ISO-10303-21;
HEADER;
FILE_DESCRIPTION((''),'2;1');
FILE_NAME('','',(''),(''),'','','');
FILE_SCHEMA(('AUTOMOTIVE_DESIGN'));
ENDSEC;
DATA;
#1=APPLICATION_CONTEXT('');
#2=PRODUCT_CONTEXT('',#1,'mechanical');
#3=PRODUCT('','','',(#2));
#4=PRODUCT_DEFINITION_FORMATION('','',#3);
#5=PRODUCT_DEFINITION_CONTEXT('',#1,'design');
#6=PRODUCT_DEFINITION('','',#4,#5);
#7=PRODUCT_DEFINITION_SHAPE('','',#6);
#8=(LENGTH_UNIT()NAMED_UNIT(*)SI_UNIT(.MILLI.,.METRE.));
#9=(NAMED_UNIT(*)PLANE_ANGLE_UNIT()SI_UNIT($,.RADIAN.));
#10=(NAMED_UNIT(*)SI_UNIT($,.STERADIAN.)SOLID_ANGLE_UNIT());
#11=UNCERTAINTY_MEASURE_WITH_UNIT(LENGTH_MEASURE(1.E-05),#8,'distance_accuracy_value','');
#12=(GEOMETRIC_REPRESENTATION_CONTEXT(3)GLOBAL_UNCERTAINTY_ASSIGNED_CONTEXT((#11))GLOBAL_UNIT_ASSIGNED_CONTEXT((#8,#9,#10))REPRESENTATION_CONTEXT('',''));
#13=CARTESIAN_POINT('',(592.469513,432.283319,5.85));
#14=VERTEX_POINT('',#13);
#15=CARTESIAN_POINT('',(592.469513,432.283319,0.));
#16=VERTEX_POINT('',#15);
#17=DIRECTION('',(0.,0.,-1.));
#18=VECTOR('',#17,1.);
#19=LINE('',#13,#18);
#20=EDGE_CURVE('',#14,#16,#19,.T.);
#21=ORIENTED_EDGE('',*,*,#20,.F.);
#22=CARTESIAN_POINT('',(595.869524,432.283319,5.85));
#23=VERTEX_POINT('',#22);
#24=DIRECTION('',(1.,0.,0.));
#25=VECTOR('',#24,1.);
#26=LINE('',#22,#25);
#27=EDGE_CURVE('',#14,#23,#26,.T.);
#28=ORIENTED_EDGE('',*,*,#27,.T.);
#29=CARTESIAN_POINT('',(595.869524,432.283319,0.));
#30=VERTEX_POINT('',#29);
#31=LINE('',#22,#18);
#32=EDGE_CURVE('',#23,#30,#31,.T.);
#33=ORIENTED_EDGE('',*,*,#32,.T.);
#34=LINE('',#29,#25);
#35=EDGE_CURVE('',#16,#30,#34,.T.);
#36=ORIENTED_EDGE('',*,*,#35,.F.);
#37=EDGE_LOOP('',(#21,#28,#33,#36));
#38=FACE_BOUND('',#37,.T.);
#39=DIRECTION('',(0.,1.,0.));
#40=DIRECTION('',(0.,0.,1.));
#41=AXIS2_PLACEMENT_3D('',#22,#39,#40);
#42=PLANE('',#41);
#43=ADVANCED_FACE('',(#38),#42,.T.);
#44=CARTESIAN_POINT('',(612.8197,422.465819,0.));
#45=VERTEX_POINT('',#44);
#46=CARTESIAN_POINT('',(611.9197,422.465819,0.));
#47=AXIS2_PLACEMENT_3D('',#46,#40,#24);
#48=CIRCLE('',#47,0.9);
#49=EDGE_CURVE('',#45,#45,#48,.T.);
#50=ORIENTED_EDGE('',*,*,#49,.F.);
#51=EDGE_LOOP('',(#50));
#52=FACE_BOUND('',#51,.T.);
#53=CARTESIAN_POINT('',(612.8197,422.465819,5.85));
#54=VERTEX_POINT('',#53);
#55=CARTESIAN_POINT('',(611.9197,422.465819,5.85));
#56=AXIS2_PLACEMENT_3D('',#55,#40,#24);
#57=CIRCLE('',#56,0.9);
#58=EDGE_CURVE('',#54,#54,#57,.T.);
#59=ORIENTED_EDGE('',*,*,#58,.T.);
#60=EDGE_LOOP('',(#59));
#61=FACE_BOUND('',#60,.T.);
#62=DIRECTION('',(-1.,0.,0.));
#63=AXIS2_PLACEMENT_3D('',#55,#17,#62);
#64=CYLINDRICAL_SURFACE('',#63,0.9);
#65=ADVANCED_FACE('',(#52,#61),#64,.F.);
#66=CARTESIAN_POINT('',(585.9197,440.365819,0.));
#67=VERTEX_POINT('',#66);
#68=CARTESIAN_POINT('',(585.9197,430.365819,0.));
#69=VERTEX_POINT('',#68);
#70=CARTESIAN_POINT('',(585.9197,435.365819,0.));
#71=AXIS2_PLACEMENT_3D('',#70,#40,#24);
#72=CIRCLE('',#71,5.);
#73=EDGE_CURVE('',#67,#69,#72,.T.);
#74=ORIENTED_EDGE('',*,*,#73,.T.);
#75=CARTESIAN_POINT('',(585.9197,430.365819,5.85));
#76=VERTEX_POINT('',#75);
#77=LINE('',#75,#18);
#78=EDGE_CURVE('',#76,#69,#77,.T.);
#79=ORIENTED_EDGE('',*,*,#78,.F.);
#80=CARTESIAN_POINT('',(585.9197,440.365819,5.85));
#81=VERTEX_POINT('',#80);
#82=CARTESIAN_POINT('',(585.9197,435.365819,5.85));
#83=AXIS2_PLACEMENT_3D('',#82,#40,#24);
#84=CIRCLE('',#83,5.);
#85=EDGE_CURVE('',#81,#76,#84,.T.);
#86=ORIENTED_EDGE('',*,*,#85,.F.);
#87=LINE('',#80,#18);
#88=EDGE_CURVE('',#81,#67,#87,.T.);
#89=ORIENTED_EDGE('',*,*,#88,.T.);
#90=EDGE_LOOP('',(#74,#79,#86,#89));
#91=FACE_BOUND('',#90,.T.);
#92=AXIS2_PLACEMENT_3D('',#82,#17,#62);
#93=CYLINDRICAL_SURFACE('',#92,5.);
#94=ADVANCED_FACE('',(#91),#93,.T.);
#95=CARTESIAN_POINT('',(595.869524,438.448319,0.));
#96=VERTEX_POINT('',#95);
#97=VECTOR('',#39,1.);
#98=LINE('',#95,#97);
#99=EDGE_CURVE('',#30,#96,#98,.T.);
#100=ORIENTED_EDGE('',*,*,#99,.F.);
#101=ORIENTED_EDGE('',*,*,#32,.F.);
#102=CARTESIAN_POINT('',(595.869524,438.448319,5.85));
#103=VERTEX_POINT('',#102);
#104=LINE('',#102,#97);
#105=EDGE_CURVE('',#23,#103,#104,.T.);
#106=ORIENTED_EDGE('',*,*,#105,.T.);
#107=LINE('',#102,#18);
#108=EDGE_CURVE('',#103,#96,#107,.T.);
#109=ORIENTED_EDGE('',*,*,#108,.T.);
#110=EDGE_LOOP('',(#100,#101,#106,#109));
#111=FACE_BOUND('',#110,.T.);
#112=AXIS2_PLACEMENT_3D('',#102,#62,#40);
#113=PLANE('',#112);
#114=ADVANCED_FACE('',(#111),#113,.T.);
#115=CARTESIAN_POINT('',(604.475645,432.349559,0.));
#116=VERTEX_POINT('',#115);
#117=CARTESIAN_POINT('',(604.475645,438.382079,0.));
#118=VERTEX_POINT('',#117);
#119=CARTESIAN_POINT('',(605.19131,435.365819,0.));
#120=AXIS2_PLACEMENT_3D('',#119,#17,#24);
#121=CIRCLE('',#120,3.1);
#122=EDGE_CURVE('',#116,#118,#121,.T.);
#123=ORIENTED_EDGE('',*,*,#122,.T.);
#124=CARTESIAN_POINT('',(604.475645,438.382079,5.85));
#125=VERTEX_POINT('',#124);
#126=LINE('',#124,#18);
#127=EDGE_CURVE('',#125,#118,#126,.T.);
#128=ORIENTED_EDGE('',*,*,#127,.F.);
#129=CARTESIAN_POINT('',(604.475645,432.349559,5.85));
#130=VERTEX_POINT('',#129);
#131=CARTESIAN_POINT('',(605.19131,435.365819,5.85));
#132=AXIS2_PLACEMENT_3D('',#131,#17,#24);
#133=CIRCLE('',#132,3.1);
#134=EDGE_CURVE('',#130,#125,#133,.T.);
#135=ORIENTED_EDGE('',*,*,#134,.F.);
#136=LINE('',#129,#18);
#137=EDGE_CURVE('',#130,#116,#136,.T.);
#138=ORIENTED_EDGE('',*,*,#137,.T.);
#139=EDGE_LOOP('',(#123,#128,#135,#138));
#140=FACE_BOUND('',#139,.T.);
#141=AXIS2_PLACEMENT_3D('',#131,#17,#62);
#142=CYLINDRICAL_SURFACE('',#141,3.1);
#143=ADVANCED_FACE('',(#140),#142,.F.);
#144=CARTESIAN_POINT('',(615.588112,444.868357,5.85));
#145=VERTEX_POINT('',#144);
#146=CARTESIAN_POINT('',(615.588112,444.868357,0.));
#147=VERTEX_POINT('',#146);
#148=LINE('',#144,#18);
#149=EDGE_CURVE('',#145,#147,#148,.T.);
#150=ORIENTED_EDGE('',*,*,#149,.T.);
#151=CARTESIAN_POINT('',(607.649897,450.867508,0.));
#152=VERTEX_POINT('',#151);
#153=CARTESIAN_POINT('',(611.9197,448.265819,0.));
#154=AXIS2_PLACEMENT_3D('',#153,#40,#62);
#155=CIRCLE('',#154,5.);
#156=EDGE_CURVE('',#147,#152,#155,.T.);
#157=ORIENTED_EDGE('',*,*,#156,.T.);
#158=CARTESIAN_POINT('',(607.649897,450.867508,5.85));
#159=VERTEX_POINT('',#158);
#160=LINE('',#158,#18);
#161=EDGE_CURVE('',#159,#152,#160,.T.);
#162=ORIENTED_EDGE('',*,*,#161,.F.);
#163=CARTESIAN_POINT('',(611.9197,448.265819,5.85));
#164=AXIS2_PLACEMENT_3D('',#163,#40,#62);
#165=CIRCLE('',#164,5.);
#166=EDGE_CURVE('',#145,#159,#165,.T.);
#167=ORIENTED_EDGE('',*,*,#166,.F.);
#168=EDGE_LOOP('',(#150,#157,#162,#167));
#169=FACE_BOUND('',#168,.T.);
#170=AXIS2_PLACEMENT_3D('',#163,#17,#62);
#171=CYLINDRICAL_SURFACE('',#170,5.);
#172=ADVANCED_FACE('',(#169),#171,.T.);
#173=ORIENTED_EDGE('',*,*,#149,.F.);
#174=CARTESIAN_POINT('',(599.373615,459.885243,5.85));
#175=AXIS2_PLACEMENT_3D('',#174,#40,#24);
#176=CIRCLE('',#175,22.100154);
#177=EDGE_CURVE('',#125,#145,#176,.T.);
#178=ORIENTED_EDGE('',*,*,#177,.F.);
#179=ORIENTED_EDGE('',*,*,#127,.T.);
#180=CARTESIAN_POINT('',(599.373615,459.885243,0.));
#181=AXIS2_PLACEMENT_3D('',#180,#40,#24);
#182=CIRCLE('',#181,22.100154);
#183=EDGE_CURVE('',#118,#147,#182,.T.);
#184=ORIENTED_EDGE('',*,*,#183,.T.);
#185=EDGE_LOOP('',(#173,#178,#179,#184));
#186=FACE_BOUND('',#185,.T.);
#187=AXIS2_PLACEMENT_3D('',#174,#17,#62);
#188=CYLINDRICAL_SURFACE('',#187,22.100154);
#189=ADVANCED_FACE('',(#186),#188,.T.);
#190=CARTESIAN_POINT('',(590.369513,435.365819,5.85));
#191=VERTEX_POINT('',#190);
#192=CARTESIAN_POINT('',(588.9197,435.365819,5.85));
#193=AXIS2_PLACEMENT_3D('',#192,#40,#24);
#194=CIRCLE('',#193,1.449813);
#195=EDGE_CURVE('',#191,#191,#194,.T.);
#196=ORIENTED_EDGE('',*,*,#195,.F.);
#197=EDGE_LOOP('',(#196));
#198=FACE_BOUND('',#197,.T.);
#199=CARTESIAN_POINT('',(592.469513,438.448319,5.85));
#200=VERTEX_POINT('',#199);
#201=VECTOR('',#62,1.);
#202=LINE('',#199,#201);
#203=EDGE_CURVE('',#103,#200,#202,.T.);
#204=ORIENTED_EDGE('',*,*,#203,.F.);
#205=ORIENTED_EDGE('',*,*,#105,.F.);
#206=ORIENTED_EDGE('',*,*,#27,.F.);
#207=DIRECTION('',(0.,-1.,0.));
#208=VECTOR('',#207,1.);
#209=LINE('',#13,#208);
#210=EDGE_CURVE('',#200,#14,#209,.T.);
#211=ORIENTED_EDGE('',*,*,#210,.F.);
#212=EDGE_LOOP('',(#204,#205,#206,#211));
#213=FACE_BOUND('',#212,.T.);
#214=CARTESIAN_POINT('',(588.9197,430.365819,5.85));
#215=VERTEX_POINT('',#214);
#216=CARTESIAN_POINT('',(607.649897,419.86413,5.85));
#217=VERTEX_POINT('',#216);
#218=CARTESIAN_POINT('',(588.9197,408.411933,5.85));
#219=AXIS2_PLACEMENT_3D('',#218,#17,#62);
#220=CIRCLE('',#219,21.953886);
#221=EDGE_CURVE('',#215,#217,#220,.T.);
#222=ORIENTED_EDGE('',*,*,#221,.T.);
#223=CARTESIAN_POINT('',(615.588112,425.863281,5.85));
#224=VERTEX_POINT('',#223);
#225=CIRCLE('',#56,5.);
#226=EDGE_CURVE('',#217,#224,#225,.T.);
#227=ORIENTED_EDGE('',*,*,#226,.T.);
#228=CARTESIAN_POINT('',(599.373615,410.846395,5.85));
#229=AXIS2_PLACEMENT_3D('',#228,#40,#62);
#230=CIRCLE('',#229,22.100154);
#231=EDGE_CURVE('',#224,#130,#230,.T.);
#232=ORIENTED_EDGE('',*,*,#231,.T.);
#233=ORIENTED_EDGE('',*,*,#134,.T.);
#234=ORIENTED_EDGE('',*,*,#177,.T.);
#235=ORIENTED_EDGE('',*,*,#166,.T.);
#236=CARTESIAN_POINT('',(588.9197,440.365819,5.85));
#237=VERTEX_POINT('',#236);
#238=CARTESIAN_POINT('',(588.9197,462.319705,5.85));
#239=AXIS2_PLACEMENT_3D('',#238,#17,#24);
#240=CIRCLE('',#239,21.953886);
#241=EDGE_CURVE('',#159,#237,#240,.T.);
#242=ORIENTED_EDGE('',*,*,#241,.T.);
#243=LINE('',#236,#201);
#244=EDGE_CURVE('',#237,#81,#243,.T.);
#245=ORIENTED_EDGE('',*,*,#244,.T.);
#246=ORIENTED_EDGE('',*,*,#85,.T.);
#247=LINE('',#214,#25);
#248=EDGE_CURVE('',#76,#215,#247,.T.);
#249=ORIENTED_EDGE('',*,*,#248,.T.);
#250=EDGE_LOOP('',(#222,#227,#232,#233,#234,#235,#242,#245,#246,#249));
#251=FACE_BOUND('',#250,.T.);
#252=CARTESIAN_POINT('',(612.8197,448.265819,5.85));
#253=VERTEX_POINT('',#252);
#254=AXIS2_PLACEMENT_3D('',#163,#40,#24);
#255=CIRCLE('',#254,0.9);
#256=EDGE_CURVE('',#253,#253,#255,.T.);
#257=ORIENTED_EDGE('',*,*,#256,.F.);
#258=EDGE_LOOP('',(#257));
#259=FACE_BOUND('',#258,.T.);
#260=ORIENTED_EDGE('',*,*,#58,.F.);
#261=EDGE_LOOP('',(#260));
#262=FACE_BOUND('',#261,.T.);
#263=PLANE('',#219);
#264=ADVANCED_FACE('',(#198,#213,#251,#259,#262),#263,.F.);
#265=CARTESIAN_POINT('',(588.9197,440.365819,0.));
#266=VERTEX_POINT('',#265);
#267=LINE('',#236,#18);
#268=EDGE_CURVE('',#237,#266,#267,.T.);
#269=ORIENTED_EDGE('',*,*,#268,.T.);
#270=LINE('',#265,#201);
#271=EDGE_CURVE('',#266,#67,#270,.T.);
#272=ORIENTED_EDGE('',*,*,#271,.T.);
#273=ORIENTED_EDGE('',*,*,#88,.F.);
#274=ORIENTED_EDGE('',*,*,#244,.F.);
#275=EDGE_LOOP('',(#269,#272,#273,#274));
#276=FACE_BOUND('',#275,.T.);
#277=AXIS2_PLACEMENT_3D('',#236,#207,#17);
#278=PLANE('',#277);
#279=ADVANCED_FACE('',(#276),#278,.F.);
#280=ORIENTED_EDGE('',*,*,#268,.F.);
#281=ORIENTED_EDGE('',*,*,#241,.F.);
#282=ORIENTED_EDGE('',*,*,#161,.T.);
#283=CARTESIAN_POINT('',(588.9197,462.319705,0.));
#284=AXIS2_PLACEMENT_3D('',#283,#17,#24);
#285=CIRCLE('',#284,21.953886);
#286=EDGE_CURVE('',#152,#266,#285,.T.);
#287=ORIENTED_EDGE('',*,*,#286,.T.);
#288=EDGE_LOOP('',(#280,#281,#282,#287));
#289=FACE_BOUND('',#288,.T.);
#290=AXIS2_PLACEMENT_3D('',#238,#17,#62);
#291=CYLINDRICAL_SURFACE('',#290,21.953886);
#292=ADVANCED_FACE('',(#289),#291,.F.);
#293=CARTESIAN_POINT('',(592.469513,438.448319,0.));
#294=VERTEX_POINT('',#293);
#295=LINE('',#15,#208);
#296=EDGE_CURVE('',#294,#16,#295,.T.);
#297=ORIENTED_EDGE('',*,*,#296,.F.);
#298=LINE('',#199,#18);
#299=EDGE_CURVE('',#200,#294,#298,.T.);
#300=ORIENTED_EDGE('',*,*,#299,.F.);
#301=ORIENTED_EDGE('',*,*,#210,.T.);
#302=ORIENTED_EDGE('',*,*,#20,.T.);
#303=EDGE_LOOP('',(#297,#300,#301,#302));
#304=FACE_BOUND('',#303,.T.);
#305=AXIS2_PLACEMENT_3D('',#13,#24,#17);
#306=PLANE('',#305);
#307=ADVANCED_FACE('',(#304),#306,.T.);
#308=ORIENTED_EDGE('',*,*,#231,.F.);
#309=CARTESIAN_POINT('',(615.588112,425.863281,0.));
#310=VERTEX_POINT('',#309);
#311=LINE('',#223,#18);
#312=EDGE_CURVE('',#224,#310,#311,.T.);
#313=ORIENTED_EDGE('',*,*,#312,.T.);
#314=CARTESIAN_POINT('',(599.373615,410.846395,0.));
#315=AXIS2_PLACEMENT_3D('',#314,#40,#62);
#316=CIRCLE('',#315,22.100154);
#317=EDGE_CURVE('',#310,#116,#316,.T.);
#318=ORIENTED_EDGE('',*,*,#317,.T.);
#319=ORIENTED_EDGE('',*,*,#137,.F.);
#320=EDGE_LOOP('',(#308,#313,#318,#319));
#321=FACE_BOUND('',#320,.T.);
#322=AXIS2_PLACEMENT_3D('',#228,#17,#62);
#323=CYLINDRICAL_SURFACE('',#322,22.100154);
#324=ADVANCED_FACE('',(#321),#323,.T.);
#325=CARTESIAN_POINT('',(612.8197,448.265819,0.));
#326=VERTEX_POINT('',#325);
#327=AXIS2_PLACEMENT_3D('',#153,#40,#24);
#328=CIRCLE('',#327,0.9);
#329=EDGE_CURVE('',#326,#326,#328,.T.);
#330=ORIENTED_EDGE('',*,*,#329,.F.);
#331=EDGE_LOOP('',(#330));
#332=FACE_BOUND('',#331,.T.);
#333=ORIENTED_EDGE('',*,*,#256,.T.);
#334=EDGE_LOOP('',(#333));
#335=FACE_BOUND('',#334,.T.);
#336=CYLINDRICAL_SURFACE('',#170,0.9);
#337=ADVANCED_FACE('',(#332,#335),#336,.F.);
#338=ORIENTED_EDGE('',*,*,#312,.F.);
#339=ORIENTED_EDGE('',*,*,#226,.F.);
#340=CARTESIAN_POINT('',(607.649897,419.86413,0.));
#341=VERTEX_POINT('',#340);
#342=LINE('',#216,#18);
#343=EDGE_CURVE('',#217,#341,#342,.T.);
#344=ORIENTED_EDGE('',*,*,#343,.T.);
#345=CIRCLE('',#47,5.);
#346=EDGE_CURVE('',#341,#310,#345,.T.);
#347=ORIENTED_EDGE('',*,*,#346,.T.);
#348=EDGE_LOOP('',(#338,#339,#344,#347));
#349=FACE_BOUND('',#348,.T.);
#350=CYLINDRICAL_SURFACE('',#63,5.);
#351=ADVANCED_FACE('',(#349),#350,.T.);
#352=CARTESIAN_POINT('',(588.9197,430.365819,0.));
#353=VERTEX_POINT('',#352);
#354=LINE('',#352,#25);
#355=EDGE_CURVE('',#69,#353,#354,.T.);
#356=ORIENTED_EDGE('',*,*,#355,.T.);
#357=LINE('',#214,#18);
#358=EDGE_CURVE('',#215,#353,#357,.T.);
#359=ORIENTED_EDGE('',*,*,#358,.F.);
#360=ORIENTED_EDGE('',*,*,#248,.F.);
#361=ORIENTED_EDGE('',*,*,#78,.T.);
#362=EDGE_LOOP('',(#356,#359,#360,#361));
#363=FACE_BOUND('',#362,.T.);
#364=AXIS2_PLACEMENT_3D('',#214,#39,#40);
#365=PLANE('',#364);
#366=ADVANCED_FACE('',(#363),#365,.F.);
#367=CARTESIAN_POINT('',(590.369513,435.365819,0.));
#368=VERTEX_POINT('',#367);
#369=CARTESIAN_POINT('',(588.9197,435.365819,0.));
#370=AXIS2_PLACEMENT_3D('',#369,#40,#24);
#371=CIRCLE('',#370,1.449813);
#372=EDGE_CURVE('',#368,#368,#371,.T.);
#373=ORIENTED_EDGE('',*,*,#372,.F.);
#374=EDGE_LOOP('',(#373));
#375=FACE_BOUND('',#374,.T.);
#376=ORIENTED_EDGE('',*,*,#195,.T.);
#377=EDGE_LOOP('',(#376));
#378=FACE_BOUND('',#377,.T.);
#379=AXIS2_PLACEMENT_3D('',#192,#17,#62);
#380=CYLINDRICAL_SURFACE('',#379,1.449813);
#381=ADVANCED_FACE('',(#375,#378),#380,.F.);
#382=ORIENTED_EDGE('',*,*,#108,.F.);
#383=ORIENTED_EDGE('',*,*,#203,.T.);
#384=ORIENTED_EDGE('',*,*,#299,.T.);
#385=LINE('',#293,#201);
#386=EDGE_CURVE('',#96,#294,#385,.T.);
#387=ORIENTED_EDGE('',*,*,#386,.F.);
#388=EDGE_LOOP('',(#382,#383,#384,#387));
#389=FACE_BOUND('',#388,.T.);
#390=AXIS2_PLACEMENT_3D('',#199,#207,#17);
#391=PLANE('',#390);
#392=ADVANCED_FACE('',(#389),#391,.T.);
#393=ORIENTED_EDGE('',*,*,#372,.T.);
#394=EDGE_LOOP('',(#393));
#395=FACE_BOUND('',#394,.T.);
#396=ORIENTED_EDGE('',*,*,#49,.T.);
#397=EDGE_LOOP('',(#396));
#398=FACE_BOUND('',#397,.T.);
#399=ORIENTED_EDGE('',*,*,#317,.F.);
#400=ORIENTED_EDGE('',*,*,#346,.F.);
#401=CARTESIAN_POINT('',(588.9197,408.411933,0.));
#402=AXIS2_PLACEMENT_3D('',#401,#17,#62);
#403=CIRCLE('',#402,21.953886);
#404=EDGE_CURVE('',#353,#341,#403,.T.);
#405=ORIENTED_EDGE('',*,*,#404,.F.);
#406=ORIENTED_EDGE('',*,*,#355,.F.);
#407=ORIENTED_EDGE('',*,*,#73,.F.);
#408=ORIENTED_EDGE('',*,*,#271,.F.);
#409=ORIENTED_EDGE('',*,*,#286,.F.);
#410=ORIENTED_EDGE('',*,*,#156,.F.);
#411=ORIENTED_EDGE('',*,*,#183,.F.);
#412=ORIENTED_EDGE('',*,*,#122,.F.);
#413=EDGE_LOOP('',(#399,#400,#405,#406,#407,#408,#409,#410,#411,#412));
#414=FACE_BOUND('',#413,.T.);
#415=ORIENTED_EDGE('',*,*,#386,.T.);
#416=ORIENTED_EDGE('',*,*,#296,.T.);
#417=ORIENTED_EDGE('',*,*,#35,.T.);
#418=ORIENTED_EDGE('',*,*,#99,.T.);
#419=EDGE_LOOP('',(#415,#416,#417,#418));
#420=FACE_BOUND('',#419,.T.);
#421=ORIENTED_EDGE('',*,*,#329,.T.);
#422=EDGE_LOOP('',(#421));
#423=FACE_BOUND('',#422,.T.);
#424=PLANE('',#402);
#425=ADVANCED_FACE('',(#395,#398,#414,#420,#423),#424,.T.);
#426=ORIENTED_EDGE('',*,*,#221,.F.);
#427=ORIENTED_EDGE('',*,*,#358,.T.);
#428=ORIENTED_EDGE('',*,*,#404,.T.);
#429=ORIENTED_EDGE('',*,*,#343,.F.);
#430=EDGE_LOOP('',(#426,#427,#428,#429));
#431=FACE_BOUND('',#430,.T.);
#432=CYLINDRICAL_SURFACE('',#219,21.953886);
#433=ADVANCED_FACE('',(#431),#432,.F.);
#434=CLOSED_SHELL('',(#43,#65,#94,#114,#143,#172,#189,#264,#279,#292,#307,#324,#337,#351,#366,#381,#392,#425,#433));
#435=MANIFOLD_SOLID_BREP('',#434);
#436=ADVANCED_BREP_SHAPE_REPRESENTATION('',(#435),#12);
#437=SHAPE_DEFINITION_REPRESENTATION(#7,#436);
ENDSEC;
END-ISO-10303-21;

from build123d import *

# Parameters (mm, degrees)
SKETCH1_R           = 0.9
SKETCH1_R_2         = 1.449813
SKETCH1_W           = 3.400011
SKETCH1_H           = 6.165
BOSS_EXTRUDE1_DEPTH = 5.85


with BuildPart() as part:
    # Sketch1 → Boss-Extrude1 (new body)
    with BuildSketch(Plane.XY):
        with BuildLine():
            Line((588.919699582, 440.365819013), (585.919699582, 440.365819013))
            ThreePointArc((585.919699582, 440.365819013), (580.919699582, 435.365819013), (585.919699582, 430.365819013))
            Line((585.919699582, 430.365819013), (588.919699582, 430.365819013))
            ThreePointArc((588.919699582, 430.365819013), (599.656386368, 427.561258519), (607.649897061, 419.864129864))
            ThreePointArc((607.649897061, 419.864129864), (614.934309186, 418.476818019), (615.588112308, 425.863281018))
            ThreePointArc((615.588112308, 425.863281018), (610.514375213, 429.933045921), (604.475645295, 432.349558996))
            ThreePointArc((604.475645295, 432.349558996), (602.091309675, 435.365819013), (604.475645295, 438.382079031))
            ThreePointArc((604.475645295, 438.382079031), (610.514375213, 440.798592106), (615.588112308, 444.868357009))
            ThreePointArc((615.588112308, 444.868357009), (614.934309186, 452.254820008), (607.649897061, 450.867508163))
            ThreePointArc((607.649897061, 450.867508163), (599.656386368, 443.170379508), (588.919699582, 440.365819013))
        make_face()
        with Locations((611.919699582, 448.265819013)):
            Circle(SKETCH1_R, mode=Mode.SUBTRACT)
        with Locations((611.919699582, 422.465819013)):
            Circle(SKETCH1_R, mode=Mode.SUBTRACT)
        with Locations((588.919699582, 435.365819013)):
            Circle(SKETCH1_R_2, mode=Mode.SUBTRACT)
        with Locations((594.169518082, 435.365819013)):
            Rectangle(SKETCH1_W, SKETCH1_H, mode=Mode.SUBTRACT)
    extrude(amount=BOSS_EXTRUDE1_DEPTH)


solid = part.part
